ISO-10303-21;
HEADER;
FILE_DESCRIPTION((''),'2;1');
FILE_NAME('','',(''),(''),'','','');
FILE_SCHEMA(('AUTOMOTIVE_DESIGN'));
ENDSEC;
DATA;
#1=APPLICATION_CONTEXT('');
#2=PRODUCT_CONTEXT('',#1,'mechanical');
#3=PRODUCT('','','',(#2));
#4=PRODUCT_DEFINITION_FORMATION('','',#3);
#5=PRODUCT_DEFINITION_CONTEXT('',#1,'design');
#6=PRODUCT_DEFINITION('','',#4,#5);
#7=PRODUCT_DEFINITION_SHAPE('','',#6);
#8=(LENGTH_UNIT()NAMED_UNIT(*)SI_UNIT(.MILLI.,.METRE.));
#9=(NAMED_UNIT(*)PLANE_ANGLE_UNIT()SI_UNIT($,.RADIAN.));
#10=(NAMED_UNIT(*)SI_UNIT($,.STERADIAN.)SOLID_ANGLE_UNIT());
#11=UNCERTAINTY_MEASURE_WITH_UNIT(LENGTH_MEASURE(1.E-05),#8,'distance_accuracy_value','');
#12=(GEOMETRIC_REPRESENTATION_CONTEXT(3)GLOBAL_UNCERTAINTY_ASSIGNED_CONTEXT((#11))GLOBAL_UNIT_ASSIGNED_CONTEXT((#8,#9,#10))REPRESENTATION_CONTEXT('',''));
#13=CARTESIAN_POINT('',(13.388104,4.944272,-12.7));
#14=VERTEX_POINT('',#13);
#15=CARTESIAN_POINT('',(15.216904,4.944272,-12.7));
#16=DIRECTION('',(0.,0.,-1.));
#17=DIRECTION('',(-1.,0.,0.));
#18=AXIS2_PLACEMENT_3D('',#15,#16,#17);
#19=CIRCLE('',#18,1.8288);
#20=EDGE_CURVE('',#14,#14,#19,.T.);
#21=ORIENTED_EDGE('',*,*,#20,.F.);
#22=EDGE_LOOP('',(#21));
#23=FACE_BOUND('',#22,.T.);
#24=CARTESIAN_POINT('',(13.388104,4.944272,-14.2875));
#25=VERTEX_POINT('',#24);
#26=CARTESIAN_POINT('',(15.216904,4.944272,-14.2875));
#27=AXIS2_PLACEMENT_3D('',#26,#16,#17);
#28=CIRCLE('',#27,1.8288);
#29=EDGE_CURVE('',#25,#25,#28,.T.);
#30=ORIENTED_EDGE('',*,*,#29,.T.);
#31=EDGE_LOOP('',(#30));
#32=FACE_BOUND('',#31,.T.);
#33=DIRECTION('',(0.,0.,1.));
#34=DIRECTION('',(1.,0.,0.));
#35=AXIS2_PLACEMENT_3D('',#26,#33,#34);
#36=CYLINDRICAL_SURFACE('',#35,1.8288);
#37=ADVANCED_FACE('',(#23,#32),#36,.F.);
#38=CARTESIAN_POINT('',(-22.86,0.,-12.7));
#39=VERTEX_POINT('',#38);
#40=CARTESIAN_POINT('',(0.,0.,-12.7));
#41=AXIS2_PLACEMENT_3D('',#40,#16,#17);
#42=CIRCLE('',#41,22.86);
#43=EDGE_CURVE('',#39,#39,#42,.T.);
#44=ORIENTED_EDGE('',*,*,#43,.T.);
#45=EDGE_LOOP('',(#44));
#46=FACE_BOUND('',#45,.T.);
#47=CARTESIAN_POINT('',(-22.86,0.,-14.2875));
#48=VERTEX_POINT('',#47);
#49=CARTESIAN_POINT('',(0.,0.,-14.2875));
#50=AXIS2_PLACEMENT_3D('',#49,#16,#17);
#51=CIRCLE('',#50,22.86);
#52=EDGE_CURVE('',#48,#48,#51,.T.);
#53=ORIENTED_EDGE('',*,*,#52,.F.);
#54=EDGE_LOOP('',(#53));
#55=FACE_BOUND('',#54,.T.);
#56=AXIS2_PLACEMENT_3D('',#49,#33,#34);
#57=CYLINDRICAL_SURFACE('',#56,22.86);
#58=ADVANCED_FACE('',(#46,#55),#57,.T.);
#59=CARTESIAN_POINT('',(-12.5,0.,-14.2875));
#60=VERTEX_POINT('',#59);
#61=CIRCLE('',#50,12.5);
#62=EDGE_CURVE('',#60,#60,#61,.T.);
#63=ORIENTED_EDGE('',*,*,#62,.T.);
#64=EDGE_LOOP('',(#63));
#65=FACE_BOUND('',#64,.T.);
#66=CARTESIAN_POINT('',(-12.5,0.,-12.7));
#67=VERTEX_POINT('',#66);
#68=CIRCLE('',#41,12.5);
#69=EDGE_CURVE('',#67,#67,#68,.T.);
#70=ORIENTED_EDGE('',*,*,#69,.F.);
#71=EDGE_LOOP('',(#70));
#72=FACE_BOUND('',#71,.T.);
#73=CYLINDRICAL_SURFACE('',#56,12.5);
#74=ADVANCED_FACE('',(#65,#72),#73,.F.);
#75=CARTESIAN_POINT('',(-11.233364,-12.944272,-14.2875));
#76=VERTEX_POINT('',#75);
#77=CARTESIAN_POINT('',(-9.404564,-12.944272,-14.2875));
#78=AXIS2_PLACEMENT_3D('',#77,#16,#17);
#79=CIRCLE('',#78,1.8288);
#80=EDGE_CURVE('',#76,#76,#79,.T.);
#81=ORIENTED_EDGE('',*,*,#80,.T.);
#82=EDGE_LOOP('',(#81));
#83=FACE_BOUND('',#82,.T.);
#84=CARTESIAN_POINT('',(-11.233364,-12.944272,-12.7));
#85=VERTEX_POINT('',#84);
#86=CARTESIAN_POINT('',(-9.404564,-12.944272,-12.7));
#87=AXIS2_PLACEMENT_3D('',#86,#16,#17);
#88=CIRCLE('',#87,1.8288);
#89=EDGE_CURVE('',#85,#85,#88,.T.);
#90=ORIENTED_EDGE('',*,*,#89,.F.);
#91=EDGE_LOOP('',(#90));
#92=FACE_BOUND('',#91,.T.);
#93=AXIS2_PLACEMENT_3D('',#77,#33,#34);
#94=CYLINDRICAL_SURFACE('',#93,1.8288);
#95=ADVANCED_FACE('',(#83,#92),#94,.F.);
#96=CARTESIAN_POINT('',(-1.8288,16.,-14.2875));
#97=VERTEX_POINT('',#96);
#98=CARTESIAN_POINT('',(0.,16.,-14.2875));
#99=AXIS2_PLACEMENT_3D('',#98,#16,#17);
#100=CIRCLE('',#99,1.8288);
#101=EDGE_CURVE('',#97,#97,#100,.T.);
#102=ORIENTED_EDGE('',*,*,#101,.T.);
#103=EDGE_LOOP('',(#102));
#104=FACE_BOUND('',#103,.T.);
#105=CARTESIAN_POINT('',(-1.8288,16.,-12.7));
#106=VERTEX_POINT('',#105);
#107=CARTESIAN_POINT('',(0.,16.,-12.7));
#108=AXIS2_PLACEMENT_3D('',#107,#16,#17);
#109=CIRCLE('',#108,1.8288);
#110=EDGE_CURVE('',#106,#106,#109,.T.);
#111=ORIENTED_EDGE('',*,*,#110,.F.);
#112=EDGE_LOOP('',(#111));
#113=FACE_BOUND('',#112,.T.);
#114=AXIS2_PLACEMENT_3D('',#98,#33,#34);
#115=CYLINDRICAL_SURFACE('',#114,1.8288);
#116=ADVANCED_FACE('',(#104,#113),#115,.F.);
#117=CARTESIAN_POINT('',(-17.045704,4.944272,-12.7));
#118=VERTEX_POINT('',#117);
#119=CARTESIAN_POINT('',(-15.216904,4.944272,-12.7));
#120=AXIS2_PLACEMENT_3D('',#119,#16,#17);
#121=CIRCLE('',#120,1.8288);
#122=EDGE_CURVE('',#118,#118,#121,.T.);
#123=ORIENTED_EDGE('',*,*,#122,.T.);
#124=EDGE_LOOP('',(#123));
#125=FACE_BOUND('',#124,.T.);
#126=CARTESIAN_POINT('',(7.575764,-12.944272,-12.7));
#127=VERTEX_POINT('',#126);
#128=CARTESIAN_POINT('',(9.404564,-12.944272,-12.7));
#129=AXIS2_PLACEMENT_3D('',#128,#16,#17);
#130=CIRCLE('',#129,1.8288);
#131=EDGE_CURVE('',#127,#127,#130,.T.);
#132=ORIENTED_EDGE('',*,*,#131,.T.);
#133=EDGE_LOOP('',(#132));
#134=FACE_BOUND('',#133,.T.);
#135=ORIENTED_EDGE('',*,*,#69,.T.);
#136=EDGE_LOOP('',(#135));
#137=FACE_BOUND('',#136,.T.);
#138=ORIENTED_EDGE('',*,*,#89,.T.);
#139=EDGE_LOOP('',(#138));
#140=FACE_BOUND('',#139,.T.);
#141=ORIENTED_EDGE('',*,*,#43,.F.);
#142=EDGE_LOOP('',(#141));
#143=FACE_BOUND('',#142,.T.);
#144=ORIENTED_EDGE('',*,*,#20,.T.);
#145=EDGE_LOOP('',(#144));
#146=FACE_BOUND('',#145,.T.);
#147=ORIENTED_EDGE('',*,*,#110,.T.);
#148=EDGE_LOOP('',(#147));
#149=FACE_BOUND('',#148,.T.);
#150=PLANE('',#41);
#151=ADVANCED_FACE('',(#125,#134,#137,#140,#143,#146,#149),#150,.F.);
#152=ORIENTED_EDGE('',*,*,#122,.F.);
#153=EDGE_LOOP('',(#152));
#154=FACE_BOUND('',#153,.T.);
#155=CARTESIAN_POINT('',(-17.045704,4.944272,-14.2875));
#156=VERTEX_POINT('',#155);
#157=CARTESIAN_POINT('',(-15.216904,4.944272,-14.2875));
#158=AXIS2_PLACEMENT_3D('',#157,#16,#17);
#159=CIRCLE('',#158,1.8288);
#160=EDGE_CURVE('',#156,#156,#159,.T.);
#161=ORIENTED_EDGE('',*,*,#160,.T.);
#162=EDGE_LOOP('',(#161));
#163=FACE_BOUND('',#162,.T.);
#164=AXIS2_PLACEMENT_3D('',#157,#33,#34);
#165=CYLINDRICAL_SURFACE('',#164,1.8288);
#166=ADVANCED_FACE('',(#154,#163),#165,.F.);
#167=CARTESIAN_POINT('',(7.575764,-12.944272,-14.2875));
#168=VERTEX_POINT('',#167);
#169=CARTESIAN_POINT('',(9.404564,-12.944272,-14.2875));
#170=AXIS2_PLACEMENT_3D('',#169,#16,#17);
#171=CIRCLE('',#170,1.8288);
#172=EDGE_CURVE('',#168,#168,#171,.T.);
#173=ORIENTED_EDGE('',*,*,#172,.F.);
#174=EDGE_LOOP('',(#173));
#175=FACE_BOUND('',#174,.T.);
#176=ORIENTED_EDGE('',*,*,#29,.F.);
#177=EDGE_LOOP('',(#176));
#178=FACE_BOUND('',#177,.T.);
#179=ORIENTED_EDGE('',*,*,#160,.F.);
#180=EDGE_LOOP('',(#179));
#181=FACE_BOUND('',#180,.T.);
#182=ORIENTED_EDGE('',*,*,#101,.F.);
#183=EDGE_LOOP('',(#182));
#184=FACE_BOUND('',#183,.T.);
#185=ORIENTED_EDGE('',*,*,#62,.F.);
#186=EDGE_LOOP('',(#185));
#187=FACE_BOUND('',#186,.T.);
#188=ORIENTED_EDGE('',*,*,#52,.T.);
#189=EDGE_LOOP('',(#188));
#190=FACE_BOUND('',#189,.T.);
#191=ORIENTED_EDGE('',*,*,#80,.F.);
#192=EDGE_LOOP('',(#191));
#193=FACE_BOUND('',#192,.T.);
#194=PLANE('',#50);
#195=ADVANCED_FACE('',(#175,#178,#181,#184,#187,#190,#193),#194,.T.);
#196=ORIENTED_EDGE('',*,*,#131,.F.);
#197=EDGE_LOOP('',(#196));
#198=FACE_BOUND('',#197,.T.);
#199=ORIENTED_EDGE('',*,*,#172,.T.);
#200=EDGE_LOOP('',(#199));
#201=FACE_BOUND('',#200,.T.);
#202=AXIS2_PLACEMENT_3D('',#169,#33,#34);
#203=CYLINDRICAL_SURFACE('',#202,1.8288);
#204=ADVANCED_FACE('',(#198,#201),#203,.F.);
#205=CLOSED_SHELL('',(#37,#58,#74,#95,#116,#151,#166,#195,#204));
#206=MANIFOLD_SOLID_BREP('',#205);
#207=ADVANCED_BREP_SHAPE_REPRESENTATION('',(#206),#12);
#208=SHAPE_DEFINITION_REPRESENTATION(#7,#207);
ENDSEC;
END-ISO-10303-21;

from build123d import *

# Parameters (mm, degrees)
SKETCH1_R           = 22.86
SKETCH1_R_2         = 12.5
SKETCH1_R_3         = 1.8288
BOSS_EXTRUDE1_DEPTH = 1.5875


with BuildPart() as part:
    # Sketch1 → Boss-Extrude1 (new body)
    with BuildSketch(Plane(origin=(0, 0, -12.7), x_dir=(-1, 0, 0), z_dir=(0, 0, -1))):
        Circle(SKETCH1_R)
        Circle(SKETCH1_R_2, mode=Mode.SUBTRACT)
        with Locations((15.216904261, 4.94427191)):
            Circle(SKETCH1_R_3, mode=Mode.SUBTRACT)
        with Locations((9.404564037, -12.94427191)):
            Circle(SKETCH1_R_3, mode=Mode.SUBTRACT)
        with Locations((-9.404564037, -12.94427191)):
            Circle(SKETCH1_R_3, mode=Mode.SUBTRACT)
        with Locations((-15.216904261, 4.94427191)):
            Circle(SKETCH1_R_3, mode=Mode.SUBTRACT)
        with Locations((0, 16)):
            Circle(SKETCH1_R_3, mode=Mode.SUBTRACT)
    extrude(amount=BOSS_EXTRUDE1_DEPTH)


solid = part.part
